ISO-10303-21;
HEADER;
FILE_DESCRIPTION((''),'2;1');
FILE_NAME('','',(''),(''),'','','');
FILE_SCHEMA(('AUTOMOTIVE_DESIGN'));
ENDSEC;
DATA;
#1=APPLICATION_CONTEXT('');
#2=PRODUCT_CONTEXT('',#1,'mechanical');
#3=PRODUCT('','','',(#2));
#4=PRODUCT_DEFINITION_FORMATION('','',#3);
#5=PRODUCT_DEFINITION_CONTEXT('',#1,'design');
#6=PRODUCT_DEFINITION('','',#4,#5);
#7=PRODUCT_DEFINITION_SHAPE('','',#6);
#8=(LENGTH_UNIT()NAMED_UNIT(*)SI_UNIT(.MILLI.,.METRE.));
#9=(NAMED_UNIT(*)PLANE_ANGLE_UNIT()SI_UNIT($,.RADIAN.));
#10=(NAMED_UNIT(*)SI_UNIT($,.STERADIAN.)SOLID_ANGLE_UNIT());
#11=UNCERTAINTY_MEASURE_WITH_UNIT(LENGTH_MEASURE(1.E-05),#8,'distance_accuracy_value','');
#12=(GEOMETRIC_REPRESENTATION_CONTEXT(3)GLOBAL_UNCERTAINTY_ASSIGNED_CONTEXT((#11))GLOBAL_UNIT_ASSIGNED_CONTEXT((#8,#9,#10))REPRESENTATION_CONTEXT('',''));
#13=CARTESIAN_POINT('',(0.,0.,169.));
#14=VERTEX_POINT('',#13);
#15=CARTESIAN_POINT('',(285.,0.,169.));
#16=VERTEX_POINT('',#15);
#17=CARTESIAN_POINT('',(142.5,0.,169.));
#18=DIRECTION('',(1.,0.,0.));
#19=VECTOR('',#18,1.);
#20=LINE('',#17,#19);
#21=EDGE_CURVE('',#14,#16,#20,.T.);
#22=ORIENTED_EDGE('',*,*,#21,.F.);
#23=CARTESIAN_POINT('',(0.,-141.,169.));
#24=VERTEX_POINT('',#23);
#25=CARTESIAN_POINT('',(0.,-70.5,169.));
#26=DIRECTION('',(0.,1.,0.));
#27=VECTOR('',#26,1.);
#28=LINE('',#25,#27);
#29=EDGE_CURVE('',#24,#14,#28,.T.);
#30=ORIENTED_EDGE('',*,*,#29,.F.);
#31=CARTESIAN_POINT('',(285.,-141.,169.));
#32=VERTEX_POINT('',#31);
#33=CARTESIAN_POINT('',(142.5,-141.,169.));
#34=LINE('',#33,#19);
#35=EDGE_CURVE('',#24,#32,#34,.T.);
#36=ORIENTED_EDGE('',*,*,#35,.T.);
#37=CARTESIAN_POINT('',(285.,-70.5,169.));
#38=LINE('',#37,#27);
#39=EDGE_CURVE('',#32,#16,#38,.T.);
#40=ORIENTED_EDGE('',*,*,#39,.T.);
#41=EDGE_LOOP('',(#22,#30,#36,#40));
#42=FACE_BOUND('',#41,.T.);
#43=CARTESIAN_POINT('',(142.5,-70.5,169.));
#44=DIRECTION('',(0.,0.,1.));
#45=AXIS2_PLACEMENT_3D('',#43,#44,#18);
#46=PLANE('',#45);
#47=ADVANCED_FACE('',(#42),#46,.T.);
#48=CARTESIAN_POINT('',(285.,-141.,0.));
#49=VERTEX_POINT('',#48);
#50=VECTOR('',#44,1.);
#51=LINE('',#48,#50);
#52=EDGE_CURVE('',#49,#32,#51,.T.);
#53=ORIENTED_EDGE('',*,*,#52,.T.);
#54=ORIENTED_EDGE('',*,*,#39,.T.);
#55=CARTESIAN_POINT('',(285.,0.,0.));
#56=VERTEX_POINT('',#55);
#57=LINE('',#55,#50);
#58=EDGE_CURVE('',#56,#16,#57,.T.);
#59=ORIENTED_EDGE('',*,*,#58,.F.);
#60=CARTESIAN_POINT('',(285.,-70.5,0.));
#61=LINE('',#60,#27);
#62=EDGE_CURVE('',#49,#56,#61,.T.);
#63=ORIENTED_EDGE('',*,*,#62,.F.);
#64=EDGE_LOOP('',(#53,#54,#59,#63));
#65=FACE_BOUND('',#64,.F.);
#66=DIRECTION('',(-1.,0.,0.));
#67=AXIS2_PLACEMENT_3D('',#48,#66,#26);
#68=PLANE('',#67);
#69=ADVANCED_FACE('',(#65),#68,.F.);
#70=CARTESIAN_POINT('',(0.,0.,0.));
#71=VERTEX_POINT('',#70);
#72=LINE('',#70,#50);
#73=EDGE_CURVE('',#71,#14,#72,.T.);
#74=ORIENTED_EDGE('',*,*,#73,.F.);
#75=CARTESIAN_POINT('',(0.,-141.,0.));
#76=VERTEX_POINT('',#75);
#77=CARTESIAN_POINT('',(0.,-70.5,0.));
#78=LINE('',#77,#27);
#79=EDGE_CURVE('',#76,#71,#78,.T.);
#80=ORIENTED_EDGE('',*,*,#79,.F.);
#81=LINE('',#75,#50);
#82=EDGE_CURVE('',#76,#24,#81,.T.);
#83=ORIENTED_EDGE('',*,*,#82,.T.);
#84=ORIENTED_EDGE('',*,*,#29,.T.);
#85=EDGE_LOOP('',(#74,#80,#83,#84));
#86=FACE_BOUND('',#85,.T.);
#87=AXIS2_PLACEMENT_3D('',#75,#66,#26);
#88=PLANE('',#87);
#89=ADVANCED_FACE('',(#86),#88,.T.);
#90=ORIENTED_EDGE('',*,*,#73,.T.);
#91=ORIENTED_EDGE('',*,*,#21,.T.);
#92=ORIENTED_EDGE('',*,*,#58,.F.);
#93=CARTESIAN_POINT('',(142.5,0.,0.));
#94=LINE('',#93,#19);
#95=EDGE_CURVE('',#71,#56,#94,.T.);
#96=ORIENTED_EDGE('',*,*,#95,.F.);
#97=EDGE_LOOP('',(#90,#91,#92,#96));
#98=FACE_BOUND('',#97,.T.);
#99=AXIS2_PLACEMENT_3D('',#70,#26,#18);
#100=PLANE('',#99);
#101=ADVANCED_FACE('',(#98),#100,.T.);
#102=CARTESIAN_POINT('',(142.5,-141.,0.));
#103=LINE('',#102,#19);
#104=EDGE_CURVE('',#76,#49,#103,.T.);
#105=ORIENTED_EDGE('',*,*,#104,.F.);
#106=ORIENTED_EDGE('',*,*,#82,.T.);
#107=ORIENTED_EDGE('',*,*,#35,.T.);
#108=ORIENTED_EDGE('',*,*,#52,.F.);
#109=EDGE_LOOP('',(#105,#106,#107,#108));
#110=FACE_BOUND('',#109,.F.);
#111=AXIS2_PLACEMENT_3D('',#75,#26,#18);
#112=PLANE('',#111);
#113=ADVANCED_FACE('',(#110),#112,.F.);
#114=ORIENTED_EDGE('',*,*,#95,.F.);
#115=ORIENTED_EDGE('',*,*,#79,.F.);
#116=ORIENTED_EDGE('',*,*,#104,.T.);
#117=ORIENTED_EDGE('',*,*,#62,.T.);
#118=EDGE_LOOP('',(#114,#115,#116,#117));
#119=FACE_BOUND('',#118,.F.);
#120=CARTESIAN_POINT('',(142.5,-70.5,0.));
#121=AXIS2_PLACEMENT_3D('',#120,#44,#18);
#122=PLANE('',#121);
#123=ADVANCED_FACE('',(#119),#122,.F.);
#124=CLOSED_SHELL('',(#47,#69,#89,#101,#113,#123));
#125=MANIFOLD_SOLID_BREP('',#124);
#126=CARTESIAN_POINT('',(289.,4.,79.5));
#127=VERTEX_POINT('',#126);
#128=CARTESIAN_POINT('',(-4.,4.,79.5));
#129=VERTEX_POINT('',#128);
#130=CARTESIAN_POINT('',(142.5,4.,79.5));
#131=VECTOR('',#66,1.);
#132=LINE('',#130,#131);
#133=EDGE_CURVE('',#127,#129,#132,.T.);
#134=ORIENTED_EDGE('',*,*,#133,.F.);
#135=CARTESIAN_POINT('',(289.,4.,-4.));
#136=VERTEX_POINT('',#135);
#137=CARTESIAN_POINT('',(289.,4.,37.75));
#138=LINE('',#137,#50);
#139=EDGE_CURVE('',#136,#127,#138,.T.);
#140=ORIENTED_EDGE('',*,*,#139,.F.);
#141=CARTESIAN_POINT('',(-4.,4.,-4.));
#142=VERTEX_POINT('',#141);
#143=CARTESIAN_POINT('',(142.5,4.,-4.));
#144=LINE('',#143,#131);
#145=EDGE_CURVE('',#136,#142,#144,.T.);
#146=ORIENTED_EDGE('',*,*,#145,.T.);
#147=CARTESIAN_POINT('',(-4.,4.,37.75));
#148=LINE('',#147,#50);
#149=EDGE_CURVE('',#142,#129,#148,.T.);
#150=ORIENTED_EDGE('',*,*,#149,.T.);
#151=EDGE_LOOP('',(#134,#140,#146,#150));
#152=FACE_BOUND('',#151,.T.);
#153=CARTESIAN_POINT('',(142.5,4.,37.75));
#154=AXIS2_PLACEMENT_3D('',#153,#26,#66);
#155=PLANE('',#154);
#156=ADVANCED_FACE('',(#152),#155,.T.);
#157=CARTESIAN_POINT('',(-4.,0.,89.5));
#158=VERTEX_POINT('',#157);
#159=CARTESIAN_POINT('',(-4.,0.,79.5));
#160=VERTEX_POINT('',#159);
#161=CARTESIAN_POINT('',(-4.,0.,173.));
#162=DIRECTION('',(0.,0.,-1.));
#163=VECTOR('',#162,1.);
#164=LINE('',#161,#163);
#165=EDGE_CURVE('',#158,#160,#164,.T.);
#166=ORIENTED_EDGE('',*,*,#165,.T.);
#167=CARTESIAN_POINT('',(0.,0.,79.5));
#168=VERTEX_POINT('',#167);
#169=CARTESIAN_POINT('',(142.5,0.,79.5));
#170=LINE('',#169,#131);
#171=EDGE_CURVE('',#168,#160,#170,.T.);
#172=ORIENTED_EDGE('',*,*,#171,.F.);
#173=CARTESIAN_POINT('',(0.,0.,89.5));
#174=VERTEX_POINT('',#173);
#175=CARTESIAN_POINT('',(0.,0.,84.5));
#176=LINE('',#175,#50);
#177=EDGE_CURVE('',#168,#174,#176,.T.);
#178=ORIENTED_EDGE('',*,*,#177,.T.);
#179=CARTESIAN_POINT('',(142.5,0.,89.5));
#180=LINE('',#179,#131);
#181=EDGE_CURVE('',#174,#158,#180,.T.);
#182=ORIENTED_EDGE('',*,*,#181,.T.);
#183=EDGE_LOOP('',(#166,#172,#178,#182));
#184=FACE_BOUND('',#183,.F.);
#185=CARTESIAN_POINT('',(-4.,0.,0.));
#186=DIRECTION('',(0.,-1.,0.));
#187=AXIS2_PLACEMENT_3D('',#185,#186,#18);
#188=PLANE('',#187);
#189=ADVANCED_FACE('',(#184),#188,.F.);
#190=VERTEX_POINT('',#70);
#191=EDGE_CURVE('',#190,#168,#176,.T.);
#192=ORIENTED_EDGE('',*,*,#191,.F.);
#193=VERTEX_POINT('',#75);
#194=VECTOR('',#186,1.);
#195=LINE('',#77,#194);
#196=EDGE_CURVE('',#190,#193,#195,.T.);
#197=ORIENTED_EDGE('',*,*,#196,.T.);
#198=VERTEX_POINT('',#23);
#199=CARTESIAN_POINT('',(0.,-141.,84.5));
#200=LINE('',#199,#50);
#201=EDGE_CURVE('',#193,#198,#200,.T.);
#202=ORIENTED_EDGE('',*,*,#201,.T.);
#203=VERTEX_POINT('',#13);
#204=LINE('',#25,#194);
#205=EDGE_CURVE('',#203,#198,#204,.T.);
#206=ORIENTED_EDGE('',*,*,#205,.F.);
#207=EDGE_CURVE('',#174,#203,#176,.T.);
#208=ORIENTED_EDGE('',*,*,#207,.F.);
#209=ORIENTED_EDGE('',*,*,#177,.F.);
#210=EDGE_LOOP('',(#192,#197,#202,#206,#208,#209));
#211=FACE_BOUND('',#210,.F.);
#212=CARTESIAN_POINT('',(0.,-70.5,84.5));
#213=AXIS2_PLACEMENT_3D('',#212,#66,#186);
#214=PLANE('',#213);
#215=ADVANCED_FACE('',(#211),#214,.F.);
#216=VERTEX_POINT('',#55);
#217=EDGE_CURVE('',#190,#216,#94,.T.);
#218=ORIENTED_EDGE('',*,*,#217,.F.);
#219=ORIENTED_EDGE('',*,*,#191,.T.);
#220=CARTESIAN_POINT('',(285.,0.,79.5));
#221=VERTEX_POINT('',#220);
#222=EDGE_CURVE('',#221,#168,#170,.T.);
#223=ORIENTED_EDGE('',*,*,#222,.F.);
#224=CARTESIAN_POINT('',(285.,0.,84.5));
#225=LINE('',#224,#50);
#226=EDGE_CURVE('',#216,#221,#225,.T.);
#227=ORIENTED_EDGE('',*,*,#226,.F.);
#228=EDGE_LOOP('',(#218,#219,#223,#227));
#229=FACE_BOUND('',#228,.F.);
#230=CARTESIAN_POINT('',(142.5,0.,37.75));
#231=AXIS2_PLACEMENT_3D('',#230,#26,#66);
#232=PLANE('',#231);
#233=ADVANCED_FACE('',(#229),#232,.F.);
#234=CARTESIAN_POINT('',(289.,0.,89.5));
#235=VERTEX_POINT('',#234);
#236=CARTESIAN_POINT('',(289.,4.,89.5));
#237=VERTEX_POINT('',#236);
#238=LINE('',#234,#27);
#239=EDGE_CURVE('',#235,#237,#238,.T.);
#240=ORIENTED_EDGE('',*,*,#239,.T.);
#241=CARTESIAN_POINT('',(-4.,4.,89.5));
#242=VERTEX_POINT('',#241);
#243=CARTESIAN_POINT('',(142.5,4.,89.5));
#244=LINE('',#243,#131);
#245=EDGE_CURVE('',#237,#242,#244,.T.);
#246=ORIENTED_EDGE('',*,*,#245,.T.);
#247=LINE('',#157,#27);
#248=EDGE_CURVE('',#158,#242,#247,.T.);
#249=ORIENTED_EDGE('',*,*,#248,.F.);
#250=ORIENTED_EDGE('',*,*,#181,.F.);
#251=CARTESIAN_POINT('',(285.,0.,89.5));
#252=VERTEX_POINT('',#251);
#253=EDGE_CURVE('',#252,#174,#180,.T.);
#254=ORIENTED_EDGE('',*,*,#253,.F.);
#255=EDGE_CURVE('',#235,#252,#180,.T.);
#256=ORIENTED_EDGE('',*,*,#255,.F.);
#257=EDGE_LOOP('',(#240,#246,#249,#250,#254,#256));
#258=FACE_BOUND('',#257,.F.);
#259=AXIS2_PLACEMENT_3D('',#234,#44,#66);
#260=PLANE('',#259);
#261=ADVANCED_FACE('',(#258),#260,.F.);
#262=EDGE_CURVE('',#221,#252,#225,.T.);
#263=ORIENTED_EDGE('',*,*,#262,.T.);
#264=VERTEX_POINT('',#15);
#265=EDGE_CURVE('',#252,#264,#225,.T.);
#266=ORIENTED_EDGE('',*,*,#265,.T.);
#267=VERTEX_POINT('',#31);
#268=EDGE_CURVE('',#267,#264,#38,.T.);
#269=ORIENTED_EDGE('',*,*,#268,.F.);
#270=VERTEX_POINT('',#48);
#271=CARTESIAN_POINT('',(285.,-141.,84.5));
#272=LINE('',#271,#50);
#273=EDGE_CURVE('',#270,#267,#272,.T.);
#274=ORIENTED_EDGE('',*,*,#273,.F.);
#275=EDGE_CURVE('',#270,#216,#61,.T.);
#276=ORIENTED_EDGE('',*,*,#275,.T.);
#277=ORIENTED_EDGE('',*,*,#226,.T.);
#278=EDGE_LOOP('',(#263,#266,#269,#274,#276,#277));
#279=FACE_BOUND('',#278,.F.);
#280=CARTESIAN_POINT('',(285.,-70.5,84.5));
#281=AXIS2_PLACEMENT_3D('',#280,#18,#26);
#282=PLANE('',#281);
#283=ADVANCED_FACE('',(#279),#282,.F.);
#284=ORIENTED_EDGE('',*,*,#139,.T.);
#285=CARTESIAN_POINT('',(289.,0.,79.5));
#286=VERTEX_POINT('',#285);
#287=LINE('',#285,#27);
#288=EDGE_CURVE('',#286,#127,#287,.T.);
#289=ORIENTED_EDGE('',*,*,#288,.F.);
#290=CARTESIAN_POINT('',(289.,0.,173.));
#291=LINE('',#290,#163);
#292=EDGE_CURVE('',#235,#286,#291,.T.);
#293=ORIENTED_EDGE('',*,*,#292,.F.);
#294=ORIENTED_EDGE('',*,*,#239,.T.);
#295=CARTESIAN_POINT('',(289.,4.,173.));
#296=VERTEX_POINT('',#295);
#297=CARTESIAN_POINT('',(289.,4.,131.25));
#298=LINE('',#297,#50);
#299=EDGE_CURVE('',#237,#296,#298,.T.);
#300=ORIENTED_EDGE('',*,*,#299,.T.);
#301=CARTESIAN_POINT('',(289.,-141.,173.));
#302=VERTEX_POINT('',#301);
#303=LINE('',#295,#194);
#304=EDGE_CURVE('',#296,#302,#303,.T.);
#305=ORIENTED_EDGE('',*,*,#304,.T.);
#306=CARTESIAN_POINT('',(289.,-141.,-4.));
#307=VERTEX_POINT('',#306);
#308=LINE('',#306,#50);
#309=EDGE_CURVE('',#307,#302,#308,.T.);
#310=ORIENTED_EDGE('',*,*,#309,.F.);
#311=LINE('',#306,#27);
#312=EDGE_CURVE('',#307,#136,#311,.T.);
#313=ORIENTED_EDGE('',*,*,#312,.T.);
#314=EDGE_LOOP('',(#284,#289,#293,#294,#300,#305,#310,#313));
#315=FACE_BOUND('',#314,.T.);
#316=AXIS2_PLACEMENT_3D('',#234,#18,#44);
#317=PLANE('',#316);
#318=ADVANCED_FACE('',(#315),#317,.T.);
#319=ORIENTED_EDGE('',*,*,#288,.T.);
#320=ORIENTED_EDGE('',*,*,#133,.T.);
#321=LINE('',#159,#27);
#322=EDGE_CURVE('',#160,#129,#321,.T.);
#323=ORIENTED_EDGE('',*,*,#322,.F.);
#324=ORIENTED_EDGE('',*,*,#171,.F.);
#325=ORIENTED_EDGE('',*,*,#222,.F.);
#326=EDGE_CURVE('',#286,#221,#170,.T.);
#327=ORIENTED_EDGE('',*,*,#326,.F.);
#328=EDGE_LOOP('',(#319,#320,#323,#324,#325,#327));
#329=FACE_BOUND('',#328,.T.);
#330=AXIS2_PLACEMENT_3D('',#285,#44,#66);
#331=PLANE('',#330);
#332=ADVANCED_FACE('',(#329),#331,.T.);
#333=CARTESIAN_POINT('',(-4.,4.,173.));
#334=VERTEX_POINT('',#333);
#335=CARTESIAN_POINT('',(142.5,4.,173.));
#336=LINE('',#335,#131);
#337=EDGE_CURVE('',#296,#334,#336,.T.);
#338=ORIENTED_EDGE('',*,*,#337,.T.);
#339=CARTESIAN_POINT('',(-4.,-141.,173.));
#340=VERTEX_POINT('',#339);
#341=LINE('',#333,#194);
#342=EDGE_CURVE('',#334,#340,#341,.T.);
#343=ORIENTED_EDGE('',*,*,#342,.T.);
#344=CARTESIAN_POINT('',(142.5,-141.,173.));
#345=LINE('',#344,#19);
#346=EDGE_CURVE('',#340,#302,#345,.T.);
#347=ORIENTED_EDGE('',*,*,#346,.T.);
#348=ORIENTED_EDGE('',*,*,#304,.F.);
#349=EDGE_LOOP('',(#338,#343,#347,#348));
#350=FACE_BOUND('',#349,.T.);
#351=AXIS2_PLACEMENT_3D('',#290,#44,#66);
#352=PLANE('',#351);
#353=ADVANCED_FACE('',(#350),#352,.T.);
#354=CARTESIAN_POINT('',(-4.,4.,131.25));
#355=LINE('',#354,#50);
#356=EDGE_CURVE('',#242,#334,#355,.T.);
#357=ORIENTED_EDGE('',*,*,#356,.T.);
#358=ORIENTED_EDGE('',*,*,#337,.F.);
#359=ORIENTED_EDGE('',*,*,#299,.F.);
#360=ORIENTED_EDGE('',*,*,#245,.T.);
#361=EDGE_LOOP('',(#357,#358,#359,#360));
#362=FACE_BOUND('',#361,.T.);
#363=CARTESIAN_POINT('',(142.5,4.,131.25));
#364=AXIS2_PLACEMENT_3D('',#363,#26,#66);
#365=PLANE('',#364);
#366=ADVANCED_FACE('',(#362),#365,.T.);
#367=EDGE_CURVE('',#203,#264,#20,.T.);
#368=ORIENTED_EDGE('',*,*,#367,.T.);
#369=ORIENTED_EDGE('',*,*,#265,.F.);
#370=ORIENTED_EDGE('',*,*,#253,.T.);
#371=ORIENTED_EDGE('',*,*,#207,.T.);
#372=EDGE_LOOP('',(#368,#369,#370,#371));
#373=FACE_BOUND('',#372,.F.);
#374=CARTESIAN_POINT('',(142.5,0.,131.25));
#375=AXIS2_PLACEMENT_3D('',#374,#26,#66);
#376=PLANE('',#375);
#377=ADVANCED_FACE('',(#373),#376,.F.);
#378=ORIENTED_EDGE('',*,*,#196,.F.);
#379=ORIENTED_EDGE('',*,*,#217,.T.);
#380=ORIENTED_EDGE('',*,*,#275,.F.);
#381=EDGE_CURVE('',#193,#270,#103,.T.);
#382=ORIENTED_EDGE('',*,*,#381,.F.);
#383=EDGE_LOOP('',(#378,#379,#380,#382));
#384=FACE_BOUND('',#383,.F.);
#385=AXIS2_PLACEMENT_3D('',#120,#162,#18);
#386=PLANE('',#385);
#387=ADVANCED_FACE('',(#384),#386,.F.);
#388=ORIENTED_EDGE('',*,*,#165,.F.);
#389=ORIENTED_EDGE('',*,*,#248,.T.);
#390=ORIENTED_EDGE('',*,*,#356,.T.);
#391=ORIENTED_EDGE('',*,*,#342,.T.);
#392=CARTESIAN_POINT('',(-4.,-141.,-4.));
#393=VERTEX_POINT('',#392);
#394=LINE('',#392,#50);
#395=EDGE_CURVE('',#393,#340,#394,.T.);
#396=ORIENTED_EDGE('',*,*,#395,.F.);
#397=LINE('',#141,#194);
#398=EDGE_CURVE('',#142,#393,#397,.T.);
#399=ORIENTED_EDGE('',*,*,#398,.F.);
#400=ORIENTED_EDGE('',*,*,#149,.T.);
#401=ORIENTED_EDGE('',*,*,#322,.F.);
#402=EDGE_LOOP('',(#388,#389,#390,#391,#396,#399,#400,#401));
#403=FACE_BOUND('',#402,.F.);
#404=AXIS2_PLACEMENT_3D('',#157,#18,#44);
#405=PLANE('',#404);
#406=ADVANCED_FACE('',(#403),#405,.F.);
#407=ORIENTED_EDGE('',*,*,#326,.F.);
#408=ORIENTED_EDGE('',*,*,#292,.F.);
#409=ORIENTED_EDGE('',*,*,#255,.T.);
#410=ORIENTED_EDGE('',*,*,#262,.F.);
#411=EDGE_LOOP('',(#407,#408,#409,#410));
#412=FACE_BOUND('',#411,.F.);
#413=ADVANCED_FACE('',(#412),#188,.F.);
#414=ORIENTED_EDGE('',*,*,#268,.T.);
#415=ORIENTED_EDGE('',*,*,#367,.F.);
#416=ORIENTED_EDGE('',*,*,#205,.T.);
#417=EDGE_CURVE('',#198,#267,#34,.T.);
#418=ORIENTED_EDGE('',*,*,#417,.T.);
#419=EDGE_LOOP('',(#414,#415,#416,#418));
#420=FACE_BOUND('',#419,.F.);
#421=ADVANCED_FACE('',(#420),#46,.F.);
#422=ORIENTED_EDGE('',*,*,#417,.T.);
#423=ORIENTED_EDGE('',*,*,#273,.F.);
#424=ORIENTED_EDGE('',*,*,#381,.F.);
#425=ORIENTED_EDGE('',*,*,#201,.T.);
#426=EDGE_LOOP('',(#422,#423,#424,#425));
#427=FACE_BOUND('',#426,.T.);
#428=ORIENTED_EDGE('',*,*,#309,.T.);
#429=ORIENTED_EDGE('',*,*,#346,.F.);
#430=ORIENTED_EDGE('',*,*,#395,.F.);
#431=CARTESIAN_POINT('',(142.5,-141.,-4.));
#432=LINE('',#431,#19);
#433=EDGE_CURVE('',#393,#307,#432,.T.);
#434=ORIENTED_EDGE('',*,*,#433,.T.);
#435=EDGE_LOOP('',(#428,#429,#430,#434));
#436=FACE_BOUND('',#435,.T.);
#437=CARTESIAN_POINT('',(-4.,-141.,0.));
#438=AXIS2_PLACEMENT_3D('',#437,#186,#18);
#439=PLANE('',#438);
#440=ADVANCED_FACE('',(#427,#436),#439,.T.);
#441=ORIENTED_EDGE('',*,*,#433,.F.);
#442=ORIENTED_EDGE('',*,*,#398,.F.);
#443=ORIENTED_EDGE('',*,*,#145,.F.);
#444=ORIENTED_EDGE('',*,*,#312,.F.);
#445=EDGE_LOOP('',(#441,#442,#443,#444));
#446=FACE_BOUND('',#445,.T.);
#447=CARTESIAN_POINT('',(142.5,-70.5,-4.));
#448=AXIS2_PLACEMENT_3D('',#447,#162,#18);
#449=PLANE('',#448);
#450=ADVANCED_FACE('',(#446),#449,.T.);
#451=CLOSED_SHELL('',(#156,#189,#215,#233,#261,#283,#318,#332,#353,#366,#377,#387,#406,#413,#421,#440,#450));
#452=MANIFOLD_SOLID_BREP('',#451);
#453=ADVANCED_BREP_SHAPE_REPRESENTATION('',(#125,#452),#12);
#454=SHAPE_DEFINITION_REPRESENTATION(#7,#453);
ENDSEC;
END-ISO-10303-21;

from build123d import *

# Parameters (mm, degrees)
F0_W      = 285
F0_H      = 141
F1_DEPTH  = 169
F2_W      = 141
F2_H      = 169
F3_DEPTH  = 4
F4_W      = 141
F4_H      = 169
F5_DEPTH  = 4
F6_W      = 293
F6_H      = 141
F7_DEPTH  = 4
F8_W      = 293
F8_H      = 141
F9_DEPTH  = 4
F10_W     = 293
F10_H     = 83.5
F11_DEPTH = 4


with BuildPart() as f1:
    # F0 (on Top) → F1 (new body)
    with BuildSketch(Plane.XY):
        with Locations((142.5, -70.5)):
            Rectangle(F0_W, F0_H)
    extrude(amount=F1_DEPTH)


with BuildPart() as f3:
    # F2 (on face) → F3 (new body)
    with BuildSketch(Plane.YZ.offset(285)):
        with Locations((-70.5, 84.5)):
            Rectangle(F2_W, F2_H)
    extrude(amount=F3_DEPTH)



with BuildPart() as f5:
    # F4 (on face) → F5 (new body)
    with BuildSketch(Plane(origin=(0, 0, 0), x_dir=(0, -1, 0), z_dir=(-1, 0, 0))):
        with Locations((70.5, 84.5)):
            Rectangle(F4_W, F4_H)
    extrude(amount=F5_DEPTH)


with BuildPart() as f3_1:
    add(f3.part)

    add(f5.part)  # F7 merges F5
    # F6 (on face) → F7 (join)
    with BuildSketch(Plane.XY.offset(169)):
        with Locations((142.5, -70.5)):
            Rectangle(F6_W, F6_H)
    extrude(amount=F7_DEPTH)



with BuildPart() as f9:
    # F8 (on face) → F9 (new body)
    with BuildSketch(Plane(origin=(0, 0, 0), x_dir=(1, 0, 0), z_dir=(0, 0, -1))):
        with Locations((142.5, 70.5)):
            Rectangle(F8_W, F8_H)
    extrude(amount=F9_DEPTH)


with BuildPart() as f3_2:
    add(f3_1.part)

    add(f9.part)  # F11 merges F9
    # F10 (on face) → F11 (join)
    with BuildSketch(Plane(origin=(0, 0, 0), x_dir=(-1, 0, 0), z_dir=(0, 1, 0))):
        with Locations((-142.5, 131.25)):
            Rectangle(F10_W, F10_H)
        with Locations((-142.5, 37.75)):
            Rectangle(F10_W, F10_H)
    extrude(amount=F11_DEPTH)


solid = Compound([f1.part, f3_2.part])
